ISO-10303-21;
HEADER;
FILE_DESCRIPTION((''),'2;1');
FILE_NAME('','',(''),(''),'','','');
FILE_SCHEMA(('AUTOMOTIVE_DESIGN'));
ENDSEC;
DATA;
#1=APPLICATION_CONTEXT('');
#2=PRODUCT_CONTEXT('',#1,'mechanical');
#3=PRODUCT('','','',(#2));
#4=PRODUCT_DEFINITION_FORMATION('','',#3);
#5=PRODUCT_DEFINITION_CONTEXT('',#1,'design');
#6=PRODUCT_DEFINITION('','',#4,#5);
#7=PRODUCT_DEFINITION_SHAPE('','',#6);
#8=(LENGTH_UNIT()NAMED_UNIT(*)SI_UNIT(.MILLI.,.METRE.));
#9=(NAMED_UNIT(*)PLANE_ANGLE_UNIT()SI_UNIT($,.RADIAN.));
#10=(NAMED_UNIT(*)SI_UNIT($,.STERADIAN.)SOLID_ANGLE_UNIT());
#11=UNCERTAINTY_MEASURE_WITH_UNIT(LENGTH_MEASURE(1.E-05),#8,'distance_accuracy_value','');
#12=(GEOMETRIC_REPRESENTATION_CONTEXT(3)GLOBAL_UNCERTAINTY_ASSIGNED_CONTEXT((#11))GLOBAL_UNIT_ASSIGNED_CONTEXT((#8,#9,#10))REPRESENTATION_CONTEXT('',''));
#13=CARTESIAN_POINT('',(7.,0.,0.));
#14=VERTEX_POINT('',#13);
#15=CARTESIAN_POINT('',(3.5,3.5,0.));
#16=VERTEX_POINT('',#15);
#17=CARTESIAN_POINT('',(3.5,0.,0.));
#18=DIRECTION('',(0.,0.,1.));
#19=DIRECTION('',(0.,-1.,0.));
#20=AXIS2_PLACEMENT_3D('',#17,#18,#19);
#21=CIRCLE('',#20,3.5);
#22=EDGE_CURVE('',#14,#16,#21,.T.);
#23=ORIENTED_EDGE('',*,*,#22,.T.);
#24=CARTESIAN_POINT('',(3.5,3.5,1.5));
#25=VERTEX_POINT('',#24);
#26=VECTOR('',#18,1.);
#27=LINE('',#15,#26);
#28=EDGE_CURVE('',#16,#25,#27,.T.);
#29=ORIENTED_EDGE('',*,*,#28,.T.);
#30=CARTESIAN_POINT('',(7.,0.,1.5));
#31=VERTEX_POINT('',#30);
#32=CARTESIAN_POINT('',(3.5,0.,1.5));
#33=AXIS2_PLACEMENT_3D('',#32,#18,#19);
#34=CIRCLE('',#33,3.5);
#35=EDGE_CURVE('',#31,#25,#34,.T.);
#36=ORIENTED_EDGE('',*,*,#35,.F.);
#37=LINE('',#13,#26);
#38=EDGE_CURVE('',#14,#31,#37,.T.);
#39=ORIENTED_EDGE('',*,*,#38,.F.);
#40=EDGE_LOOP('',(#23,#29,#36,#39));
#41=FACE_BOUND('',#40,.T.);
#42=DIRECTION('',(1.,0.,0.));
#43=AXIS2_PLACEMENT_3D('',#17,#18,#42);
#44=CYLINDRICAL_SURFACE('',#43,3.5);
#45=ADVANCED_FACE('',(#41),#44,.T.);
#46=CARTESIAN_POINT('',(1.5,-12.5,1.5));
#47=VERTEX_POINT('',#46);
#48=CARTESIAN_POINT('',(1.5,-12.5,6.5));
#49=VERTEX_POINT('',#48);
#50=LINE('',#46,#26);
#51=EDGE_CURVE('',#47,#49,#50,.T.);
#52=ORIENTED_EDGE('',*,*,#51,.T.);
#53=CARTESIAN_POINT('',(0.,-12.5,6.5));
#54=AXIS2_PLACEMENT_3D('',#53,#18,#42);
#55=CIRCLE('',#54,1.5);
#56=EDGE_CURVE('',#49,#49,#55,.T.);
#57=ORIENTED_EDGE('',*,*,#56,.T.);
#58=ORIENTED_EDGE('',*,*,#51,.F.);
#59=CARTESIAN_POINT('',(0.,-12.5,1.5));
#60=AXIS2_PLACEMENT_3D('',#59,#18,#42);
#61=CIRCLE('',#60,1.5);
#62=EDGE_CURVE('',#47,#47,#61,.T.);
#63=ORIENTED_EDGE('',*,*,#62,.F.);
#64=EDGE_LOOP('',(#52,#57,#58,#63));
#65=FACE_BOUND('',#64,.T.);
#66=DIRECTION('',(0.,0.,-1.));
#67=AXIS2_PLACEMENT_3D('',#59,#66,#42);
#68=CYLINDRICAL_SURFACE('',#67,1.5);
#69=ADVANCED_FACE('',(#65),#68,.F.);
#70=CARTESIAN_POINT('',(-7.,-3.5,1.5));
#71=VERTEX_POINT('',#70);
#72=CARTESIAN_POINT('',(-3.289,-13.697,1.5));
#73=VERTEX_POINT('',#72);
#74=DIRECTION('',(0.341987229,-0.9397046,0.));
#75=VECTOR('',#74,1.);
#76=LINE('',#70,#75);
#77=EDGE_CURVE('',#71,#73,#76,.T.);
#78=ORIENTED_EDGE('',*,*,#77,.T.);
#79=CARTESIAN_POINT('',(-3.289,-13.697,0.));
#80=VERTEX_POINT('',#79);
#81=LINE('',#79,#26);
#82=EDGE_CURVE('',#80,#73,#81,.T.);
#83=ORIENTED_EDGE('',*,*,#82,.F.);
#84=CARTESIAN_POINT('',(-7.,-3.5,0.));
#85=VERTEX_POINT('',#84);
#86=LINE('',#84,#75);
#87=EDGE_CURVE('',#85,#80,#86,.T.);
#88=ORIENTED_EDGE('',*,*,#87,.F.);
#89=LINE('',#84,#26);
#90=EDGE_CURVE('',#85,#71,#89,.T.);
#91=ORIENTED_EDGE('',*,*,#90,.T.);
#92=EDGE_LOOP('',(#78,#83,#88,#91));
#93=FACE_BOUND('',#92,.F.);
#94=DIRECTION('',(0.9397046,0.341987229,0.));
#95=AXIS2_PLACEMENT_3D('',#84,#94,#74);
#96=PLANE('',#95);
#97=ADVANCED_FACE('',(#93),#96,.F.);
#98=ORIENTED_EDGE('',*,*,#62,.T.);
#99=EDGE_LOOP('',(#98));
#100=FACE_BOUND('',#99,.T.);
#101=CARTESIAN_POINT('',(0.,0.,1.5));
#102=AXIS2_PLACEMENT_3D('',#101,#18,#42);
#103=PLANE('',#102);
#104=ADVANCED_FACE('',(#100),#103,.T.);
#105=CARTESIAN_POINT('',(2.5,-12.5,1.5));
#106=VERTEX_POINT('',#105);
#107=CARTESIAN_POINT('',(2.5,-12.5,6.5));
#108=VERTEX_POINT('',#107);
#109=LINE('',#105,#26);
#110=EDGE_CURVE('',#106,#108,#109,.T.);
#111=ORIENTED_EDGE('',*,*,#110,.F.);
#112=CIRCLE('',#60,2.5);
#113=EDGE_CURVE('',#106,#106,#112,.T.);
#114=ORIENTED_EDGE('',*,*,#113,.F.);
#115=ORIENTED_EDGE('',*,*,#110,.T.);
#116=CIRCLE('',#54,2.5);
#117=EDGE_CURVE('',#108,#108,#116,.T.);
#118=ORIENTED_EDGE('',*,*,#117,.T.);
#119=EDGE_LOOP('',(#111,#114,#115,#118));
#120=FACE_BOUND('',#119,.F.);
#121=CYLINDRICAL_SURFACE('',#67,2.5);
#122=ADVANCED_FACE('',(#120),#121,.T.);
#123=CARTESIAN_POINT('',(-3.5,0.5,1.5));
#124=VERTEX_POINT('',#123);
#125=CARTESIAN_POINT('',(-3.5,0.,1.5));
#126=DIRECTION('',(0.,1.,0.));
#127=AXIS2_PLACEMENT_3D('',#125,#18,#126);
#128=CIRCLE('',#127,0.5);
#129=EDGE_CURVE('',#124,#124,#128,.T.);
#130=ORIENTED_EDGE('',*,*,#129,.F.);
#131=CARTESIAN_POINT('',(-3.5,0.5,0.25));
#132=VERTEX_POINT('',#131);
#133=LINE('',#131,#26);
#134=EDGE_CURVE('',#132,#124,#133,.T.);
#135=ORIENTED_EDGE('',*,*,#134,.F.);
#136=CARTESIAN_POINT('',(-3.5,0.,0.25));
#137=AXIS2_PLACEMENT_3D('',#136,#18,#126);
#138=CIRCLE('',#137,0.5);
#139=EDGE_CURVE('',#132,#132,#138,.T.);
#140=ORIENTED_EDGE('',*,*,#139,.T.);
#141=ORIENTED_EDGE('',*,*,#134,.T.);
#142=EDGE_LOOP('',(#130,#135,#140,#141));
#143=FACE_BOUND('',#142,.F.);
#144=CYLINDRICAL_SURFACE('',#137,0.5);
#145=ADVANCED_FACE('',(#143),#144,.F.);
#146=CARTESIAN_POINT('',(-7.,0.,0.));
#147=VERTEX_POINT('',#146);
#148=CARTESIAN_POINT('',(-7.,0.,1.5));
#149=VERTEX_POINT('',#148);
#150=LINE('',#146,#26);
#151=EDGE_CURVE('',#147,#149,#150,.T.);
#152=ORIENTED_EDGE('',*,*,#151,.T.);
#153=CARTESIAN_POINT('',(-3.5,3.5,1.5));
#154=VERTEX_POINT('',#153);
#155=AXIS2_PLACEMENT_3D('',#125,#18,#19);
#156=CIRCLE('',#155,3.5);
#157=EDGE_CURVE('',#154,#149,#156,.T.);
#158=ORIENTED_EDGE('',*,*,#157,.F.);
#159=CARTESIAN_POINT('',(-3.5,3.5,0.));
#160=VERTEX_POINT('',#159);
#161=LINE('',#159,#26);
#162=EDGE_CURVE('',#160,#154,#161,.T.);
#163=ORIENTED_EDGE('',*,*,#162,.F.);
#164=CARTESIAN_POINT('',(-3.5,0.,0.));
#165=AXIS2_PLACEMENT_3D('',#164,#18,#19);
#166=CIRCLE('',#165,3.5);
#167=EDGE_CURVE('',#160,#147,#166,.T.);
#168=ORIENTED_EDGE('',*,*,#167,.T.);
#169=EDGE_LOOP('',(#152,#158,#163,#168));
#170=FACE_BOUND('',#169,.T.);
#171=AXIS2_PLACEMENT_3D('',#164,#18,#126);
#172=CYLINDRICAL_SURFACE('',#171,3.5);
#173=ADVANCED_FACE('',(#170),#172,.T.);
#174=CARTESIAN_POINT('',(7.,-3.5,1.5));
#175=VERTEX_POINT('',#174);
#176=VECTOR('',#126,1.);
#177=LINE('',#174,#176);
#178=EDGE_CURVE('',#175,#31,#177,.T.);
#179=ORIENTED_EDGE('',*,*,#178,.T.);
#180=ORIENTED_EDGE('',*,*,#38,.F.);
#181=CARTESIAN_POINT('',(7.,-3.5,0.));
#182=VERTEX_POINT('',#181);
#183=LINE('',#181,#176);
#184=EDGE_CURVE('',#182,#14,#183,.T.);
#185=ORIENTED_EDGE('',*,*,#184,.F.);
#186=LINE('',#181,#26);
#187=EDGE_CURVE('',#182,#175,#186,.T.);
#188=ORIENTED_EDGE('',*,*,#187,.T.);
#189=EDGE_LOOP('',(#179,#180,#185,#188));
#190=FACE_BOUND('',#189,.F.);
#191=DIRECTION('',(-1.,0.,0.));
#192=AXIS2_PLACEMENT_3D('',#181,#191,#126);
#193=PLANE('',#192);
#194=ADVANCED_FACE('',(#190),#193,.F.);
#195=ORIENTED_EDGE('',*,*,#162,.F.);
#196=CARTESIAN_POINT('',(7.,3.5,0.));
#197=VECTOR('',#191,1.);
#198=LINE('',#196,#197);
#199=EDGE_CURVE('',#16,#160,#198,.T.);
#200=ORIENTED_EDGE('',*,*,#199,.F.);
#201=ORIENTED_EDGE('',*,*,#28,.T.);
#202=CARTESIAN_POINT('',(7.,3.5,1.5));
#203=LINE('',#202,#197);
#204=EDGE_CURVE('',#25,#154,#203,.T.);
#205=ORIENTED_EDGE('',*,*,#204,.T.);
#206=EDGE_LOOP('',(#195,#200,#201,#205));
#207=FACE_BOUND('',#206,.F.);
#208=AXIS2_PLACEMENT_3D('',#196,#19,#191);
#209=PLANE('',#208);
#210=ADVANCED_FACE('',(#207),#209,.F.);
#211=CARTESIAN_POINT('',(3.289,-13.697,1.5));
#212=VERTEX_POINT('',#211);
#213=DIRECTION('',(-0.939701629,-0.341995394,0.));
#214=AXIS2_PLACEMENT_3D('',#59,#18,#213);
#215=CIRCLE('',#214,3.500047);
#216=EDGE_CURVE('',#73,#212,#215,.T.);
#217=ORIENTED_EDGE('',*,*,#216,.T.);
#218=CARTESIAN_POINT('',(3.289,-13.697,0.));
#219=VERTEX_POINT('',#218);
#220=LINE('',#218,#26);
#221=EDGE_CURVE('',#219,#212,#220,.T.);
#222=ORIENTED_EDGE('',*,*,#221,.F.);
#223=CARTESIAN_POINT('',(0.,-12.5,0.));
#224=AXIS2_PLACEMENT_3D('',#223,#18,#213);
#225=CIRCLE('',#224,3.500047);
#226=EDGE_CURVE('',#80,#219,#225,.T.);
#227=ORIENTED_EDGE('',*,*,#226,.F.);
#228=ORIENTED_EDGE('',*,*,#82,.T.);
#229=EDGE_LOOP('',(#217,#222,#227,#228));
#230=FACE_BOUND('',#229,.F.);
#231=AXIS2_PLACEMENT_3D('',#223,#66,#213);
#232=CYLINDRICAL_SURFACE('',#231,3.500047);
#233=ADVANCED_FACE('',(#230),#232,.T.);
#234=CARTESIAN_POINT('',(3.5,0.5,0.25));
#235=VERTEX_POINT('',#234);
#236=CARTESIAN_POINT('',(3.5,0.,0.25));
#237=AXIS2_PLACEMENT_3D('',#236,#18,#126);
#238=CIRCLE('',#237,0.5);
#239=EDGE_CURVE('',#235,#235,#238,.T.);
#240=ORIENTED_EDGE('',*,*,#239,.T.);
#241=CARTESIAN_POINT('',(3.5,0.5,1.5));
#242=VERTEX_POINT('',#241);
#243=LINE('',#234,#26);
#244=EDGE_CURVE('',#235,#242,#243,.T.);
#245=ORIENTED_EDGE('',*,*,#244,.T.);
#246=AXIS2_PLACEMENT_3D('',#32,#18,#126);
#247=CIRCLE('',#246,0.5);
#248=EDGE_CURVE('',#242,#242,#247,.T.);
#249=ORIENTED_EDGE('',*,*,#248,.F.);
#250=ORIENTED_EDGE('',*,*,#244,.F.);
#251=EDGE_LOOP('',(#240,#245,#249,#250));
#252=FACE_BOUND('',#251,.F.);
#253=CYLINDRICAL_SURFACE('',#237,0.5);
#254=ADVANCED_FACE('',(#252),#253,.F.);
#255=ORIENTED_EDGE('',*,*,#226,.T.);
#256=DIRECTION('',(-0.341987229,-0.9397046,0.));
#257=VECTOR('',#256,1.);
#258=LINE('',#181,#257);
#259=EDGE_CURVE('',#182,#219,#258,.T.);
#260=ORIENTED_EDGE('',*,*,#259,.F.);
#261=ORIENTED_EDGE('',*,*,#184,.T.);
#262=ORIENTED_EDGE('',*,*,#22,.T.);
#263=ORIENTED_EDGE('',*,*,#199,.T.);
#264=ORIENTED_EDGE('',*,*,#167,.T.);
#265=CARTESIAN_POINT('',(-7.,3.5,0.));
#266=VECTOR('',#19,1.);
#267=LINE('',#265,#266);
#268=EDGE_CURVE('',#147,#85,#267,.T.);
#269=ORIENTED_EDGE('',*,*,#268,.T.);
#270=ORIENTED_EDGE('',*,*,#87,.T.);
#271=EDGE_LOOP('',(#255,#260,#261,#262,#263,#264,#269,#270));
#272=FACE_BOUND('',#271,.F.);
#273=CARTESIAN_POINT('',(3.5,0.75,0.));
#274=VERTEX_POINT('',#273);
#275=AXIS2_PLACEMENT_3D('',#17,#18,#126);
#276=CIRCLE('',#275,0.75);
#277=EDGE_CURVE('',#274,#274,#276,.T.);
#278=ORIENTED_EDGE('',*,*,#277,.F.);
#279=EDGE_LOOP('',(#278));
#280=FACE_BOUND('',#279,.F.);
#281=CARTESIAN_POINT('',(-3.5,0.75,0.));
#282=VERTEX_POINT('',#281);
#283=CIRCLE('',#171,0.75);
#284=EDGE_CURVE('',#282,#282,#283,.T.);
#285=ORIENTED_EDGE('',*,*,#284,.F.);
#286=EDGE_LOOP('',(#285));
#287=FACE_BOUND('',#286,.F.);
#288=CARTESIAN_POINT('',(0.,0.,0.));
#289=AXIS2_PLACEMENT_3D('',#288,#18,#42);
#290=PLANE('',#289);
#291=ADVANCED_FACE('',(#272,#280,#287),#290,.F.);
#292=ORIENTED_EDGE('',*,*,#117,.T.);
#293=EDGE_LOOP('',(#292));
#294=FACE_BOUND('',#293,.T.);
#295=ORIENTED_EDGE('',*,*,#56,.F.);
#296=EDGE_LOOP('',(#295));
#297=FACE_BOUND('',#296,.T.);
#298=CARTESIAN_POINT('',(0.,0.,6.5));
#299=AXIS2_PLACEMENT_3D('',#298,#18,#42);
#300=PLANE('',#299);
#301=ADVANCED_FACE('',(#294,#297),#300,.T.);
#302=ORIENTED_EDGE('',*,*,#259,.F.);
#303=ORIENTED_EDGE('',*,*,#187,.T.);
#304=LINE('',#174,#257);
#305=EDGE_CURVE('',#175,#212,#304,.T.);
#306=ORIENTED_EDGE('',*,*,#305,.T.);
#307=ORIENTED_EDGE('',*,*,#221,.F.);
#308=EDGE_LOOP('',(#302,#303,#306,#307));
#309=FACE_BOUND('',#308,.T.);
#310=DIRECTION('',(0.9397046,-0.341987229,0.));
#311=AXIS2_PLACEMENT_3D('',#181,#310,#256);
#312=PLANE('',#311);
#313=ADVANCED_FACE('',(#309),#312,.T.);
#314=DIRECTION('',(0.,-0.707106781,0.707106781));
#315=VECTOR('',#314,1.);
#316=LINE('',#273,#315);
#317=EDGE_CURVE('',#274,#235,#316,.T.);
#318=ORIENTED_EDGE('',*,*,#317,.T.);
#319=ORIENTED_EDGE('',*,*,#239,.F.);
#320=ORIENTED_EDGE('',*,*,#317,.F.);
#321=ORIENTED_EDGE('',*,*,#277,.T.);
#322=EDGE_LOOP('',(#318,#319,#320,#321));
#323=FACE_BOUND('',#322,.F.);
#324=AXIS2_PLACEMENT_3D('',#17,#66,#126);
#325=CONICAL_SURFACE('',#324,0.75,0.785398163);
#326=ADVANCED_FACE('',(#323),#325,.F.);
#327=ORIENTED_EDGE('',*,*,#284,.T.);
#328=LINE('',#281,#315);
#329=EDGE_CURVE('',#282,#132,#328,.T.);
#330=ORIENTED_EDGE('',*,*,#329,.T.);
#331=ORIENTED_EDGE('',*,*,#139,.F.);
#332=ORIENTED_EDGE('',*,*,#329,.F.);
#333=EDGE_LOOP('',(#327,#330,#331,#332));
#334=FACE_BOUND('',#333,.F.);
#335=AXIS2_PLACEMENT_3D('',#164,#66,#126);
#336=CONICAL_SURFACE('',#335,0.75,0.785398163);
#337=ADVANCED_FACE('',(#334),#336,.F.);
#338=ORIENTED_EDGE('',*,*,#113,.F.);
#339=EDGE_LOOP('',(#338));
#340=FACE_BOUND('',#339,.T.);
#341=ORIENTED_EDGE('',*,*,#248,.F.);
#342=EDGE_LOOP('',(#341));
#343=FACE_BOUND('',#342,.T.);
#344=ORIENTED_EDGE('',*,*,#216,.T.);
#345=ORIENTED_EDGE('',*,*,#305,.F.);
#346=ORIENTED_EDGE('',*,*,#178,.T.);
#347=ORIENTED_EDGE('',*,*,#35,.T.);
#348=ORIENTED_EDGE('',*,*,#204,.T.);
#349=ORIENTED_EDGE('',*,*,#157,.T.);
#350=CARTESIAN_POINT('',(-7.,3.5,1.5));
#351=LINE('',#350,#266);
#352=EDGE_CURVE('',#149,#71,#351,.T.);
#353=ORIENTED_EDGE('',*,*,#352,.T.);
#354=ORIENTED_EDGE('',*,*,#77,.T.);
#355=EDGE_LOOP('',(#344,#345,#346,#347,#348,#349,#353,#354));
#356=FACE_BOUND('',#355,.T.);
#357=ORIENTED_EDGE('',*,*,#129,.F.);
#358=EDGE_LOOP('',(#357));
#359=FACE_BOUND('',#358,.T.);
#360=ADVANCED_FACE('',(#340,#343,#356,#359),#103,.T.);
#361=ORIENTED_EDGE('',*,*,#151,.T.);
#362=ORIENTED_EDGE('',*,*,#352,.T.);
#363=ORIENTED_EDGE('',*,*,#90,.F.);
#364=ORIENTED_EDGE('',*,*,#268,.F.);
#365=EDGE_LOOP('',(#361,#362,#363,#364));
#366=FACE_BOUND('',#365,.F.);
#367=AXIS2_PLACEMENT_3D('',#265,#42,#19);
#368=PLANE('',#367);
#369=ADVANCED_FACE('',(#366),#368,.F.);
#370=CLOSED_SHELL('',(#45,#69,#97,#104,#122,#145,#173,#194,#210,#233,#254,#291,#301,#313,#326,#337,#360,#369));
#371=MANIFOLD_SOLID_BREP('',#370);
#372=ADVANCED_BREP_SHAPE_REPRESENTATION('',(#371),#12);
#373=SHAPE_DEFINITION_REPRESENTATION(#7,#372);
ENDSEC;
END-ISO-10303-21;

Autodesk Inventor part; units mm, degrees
ref_plane "YZ Plane" through (0, 0, 0) normal (1, 0, 0) x (0, 1, 0)
ref_plane "XZ Plane" through (0, 0, 0) normal (0, 1, 0) x (-1, 0, 0)
ref_plane "XY Plane" through (0, 0, 0) normal (0, 0, 1) x (1, 0, 0)
sketch "Эскиз1" plane through (0, 0, 0) normal (0, 0, 1) x (1, 0, 0)
  line L0 (-7, -3.5) -> (7, -3.5) construction
  line L1 (7, -3.5) -> (7, 3.5)
  line L2 (7, 3.5) -> (-7, 3.5)
  line L3 (-7, 3.5) -> (-7, -3.5)
  line L4 (-7, -3.5) -> (7, 3.5) construction
  line L5 (7, -3.5) -> (-7, 3.5) construction
  line L6 (0, -3.5) -> (0, -12.5) construction
  line L7 (-7, -3.5) -> (-3.289, -13.697)
  line L8 (7, -3.5) -> (3.289, -13.697)
  arc A0 (-3.289, -13.697) -> (3.289, -13.697) centre (0, -12.5) ccw
  point P0 (0, 0)
  point P1 (0, 0)
  point P2 (0, 0)
  point P3 (0, 0)
  dimension "d0" = 14
  dimension "d1" = 7
  dimension "d4" = 9
  dimension "d5" = 3.5
extrude "Выдавливание1" add sketch "Эскиз1" along normal blind 1.5
sketch "Эскиз2" plane through (0, 0, 1.5) normal (0, 0, 1) x (1, 0, 0)
  arc A0 (-3.289, -13.697) -> (3.289, -13.697) centre (0, -12.5) ccw construction
  circle A1 centre (0, -12.5) radius 2.5
  circle A2 centre (0, -12.5) radius 1.5
  point P0 (0, 0)
  dimension "d8" = 5
  dimension "d39" = 1
extrude "Выдавливание11" add sketch "Эскиз2" along normal blind 5
fillet "Сопряжение1" radius 3.5 2 edges at (7, 3.5, 0.75) (-7, 3.5, 0.75)
sketch "Эскиз5" plane through (0, 0, 0) normal (0, 0, 1) x (1, 0, 0)
  circle A0 centre (0, -12.5) radius 1.25 construction
  line L0 (0, -3.5) -> (0, 3.5) construction
  circle A1 centre (3.5, 0) radius 0.5
  line L1 (3.5, 0) -> (3.5, 3.5) construction
  line L2 (3.5, 0) -> (0, 0) construction
  line L3 (7, 3.5) -> (-7, 3.5) construction
  circle A2 centre (-3.5, 0) radius 0.5
  point P0 (7, -3.5)
  dimension "d34" = 1
  dimension "d35" = 3.5
hole "Отверстие1" at (-3.5, 0, 0) at (3.5, 0, 0) direction (0, 0, 1) diameter 1 end through all countersink diameter 1.5 countersink angle 90
properties part number "переходник2"
